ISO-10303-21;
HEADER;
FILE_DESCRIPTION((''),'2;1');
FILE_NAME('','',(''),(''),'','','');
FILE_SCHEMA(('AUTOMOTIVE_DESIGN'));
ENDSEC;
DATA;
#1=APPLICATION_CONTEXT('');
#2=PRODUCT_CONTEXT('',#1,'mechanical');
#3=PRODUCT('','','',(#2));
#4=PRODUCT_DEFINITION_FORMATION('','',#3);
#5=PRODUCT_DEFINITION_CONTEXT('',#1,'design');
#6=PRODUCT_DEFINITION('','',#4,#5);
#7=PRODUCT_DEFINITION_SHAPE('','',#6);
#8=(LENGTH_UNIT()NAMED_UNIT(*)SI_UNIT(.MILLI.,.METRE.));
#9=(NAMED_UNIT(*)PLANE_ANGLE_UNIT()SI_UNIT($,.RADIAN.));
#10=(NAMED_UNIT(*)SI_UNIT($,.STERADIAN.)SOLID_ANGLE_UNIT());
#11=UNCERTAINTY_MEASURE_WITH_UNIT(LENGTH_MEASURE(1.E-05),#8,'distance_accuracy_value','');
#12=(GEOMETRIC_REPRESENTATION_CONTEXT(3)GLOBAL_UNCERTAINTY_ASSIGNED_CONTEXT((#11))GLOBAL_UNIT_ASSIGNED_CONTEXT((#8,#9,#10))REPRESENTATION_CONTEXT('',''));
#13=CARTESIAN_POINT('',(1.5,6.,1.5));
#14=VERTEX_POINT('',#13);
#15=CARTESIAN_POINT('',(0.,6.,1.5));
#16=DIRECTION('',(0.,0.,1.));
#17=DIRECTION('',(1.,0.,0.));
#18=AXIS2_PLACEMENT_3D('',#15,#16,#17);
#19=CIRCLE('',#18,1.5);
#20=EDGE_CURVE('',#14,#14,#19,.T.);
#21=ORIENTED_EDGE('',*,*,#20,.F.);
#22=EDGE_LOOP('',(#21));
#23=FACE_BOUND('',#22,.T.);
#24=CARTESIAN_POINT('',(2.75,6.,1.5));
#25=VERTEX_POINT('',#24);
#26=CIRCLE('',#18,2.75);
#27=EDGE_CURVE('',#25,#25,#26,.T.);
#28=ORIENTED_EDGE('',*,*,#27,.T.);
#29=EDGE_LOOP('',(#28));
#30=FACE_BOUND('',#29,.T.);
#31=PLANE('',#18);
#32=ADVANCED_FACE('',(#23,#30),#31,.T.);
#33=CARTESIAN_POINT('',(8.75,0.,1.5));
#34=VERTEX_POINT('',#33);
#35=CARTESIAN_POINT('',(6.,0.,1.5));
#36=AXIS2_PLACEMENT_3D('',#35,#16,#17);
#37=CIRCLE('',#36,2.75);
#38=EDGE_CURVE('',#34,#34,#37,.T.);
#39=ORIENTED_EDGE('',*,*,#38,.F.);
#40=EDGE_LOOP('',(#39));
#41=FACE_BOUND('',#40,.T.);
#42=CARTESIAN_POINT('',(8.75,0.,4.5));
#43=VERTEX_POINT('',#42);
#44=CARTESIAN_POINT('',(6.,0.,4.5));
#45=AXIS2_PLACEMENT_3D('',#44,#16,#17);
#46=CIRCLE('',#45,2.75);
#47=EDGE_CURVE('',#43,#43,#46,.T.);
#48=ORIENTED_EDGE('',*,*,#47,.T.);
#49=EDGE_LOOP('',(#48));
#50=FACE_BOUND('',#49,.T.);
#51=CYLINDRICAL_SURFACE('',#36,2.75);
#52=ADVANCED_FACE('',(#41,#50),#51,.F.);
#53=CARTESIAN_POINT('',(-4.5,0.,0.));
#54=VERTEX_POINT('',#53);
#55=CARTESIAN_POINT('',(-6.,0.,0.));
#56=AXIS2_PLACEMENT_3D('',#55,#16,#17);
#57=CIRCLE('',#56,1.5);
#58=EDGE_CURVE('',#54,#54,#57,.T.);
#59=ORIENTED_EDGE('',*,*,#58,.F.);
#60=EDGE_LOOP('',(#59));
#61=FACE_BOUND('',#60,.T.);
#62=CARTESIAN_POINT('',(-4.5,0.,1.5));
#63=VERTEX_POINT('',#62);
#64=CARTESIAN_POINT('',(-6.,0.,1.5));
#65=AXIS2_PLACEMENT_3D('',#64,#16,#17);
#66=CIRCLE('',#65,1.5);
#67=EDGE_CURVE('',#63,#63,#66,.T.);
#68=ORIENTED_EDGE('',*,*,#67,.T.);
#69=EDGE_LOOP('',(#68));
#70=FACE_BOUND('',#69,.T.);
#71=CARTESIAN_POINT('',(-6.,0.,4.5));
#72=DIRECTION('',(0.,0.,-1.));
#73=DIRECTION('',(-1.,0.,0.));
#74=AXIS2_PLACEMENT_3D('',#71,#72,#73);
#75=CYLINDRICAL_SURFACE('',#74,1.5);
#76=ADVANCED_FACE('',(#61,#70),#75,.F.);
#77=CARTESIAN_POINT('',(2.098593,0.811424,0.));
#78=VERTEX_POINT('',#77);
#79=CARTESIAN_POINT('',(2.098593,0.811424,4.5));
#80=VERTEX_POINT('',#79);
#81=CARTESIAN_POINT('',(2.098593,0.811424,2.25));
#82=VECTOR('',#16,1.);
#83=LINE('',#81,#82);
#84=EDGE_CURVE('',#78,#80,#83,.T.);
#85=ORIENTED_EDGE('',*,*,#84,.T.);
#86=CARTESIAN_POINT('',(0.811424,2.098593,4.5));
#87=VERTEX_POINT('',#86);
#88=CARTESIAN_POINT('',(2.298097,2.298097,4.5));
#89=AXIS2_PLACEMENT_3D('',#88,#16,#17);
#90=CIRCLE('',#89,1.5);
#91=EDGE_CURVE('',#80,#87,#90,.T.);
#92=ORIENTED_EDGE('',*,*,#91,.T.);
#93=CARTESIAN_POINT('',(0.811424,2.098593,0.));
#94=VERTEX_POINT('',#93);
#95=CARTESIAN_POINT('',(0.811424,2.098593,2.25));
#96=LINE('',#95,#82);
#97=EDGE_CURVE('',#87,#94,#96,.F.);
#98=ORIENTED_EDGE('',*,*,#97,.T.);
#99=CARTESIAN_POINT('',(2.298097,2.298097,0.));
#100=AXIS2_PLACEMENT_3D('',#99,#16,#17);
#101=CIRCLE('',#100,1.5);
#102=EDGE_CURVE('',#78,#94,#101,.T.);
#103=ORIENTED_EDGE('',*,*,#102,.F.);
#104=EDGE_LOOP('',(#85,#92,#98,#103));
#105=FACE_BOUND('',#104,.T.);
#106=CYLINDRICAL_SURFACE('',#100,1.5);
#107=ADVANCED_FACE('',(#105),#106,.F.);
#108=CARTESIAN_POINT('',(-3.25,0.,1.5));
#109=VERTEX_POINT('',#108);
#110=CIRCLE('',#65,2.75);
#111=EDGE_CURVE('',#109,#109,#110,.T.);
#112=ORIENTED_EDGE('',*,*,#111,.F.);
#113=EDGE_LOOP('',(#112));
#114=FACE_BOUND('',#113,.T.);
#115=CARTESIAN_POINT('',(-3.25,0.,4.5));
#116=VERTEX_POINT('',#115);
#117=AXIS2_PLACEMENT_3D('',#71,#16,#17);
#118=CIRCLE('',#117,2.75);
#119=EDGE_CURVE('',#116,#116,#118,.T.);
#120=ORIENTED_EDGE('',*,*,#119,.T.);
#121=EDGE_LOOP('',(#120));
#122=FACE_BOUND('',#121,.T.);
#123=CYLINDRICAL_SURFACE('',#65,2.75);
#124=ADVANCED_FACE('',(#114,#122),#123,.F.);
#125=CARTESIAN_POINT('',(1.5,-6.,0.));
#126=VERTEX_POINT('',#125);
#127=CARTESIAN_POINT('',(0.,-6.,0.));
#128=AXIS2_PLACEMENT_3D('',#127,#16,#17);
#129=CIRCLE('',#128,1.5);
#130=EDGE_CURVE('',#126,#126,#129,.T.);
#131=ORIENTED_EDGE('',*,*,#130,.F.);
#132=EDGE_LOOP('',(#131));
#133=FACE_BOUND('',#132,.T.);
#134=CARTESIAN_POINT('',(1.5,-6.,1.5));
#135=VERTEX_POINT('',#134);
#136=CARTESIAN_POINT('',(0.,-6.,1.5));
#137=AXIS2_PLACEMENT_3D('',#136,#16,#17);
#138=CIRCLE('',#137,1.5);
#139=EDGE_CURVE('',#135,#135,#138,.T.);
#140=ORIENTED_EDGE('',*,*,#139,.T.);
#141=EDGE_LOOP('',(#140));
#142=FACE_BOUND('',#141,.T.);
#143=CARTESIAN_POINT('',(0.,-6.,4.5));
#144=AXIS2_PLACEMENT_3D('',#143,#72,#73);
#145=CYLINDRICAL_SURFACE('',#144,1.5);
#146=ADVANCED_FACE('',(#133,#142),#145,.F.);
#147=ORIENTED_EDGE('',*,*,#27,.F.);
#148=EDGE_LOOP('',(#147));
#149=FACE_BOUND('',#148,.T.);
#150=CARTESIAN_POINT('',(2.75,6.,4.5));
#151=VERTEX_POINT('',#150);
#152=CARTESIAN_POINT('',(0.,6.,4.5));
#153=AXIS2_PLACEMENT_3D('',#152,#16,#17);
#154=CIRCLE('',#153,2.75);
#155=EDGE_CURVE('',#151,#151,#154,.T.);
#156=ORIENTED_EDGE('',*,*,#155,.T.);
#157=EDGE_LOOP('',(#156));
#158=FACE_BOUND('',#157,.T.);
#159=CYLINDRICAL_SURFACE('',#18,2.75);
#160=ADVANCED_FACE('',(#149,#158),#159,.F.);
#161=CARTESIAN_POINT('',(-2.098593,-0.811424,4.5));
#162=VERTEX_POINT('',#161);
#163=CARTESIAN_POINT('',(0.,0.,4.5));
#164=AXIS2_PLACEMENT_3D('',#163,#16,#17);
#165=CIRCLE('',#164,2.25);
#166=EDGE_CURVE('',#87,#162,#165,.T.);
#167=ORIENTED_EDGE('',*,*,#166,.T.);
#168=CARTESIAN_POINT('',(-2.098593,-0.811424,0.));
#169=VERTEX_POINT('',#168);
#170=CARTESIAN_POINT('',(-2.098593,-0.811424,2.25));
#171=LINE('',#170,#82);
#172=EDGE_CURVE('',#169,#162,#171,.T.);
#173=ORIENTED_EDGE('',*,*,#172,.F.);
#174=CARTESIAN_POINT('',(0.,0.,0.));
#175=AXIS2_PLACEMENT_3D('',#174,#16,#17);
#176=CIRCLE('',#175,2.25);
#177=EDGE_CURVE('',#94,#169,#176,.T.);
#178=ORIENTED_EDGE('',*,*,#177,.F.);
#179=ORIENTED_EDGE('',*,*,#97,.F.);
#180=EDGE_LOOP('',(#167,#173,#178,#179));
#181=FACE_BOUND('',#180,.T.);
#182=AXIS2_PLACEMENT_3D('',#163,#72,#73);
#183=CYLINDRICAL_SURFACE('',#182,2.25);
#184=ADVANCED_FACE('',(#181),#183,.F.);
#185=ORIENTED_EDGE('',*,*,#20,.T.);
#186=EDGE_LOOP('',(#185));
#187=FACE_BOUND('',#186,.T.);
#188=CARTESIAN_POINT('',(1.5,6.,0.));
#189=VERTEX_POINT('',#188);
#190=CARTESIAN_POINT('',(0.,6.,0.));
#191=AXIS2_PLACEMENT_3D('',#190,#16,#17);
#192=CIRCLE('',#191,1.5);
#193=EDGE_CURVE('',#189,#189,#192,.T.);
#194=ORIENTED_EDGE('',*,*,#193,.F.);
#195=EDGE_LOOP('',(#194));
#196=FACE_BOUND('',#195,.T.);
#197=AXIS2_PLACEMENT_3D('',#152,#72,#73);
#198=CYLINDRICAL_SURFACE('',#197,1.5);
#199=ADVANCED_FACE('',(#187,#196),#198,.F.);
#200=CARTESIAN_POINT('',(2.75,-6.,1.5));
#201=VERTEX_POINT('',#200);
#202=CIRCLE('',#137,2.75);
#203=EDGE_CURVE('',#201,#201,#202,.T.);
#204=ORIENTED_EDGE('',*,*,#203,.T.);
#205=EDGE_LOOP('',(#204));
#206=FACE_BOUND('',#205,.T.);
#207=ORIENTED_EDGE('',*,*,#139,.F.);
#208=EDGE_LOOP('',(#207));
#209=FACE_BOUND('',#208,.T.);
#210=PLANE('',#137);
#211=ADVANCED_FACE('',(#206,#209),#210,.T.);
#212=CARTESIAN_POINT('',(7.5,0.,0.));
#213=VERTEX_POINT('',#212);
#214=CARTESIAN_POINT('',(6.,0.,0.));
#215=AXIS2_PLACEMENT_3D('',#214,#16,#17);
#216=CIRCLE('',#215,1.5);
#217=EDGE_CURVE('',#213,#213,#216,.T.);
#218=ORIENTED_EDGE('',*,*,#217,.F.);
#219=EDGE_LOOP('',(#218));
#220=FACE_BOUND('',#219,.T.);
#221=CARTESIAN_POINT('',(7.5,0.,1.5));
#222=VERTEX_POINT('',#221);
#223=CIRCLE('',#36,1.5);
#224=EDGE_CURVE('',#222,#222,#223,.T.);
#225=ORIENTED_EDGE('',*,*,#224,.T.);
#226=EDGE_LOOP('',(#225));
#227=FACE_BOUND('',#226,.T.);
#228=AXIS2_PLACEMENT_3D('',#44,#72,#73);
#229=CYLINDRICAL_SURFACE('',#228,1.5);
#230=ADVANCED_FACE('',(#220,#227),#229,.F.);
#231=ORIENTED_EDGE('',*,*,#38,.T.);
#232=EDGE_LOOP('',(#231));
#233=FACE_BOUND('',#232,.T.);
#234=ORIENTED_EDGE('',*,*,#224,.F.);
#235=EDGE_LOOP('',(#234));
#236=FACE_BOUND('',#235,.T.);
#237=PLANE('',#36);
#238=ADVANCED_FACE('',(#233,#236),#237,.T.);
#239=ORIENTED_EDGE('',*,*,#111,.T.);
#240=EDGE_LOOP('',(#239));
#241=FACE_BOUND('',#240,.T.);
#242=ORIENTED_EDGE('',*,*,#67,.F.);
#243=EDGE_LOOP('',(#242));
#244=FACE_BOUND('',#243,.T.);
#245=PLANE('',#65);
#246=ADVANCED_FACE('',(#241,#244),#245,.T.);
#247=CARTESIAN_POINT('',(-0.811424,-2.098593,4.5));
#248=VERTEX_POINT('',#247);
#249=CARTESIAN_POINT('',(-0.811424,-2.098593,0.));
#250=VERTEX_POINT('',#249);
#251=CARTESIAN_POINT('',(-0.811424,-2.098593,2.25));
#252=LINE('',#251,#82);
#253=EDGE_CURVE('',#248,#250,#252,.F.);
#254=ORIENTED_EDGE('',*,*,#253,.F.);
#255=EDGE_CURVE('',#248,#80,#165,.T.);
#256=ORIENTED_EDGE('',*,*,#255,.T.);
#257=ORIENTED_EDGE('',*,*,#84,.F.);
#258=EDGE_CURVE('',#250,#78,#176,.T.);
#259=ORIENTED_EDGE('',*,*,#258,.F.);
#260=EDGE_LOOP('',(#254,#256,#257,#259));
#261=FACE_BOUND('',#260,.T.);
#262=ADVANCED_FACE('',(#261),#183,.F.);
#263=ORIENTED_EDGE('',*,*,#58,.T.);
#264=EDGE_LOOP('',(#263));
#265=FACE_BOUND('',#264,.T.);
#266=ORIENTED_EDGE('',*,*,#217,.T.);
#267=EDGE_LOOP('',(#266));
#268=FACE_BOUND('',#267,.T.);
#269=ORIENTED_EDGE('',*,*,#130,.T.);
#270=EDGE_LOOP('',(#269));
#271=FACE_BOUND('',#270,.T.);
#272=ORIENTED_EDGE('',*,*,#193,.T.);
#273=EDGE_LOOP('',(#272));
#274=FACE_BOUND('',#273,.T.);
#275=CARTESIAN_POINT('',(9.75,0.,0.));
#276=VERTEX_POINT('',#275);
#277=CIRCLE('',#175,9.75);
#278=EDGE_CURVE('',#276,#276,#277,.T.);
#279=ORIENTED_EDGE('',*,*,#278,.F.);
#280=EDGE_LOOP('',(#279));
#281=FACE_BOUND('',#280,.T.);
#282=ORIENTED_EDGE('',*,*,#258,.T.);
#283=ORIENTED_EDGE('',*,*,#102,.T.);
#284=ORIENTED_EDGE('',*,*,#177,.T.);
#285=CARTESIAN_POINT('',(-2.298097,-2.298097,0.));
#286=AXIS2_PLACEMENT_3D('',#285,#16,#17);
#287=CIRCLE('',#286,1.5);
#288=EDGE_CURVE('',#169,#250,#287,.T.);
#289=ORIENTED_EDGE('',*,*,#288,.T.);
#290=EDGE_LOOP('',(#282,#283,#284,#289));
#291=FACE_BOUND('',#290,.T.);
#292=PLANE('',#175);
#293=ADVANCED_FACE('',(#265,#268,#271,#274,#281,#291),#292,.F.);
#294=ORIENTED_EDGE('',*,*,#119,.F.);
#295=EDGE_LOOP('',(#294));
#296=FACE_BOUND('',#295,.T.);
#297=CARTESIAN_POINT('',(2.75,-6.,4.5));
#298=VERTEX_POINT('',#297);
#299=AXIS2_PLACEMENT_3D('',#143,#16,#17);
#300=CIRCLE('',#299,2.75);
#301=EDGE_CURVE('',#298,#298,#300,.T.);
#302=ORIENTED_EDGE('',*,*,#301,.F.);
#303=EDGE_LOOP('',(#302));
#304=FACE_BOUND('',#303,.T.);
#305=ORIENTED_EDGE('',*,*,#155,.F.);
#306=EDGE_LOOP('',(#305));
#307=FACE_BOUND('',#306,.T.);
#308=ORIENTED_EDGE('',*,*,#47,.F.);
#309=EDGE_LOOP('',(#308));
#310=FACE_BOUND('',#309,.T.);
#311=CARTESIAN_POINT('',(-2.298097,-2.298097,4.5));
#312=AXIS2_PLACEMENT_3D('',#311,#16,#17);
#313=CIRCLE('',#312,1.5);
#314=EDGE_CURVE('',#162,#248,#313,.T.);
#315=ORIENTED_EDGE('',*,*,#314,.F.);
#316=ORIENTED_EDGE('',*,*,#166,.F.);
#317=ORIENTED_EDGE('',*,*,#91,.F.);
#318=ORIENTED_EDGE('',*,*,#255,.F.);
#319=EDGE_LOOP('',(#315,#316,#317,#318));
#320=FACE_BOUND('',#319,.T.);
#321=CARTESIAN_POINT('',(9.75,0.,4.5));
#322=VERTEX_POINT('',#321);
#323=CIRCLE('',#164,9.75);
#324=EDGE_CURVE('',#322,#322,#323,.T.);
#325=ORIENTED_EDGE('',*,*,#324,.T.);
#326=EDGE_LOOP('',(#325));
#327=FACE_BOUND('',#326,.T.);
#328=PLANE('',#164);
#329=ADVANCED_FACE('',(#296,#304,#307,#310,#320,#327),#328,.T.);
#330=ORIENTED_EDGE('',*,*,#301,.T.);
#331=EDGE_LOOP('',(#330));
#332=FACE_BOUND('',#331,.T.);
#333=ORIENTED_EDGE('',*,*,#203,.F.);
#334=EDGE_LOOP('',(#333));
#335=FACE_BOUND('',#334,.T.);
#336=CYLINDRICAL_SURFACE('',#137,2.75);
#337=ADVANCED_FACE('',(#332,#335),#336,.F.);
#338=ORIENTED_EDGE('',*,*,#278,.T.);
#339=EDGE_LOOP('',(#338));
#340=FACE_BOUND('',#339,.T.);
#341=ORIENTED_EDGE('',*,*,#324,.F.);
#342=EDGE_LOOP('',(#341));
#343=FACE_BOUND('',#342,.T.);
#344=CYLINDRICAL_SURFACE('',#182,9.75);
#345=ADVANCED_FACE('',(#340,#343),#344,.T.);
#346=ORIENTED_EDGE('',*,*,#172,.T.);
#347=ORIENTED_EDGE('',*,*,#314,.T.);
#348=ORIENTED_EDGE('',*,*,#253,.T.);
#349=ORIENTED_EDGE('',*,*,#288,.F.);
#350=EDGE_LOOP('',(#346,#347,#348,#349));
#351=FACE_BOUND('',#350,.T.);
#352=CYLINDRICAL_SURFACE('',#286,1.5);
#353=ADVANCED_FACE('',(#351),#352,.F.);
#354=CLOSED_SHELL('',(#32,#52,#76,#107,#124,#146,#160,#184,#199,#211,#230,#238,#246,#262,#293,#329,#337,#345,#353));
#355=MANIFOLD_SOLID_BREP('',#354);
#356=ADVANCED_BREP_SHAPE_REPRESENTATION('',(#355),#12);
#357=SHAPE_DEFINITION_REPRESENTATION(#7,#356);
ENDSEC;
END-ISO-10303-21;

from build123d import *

# Parameters (mm, degrees)
SKETCH1_R           = 9.75
SKETCH1_R_2         = 2.25
SKETCH1_R_3         = 1.5
BOSS_EXTRUDE1_DEPTH = 4.5
SKETCH2_R           = 1.5
CUT_EXTRUDE1_DEPTH  = 15.504309704
SKETCH3_R           = 2.75
CUT_EXTRUDE2_DEPTH  = 3


with BuildPart() as part:
    # Sketch1 → Boss-Extrude1 (new body)
    with BuildSketch(Plane.XY):
        Circle(SKETCH1_R)
        Circle(SKETCH1_R_2, mode=Mode.SUBTRACT)
        with Locations((0, 6)):
            Circle(SKETCH1_R_3, mode=Mode.SUBTRACT)
        with Locations((6, 0)):
            Circle(SKETCH1_R_3, mode=Mode.SUBTRACT)
        with Locations((0, -6)):
            Circle(SKETCH1_R_3, mode=Mode.SUBTRACT)
        with Locations((-6, 0)):
            Circle(SKETCH1_R_3, mode=Mode.SUBTRACT)
    extrude(amount=BOSS_EXTRUDE1_DEPTH)

    # Sketch2 → Cut-Extrude1 (cut, through all)
    with BuildSketch(Plane.XY.offset(4.5)):
        with Locations((2.298097039, 2.298097039)):
            Circle(SKETCH2_R)
        with Locations((-2.298097039, -2.298097039)):
            Circle(SKETCH2_R)
    extrude(amount=-CUT_EXTRUDE1_DEPTH, mode=Mode.SUBTRACT)

    # Sketch3 → Cut-Extrude2 (cut)
    with BuildSketch(Plane.XY.offset(4.5)):
        with Locations((6, 0)):
            Circle(SKETCH3_R)
        with Locations((0, -6)):
            Circle(SKETCH3_R)
        with Locations((-6, 0)):
            Circle(SKETCH3_R)
        with Locations((0, 6)):
            Circle(SKETCH3_R)
    extrude(amount=-CUT_EXTRUDE2_DEPTH, mode=Mode.SUBTRACT)


solid = part.part
